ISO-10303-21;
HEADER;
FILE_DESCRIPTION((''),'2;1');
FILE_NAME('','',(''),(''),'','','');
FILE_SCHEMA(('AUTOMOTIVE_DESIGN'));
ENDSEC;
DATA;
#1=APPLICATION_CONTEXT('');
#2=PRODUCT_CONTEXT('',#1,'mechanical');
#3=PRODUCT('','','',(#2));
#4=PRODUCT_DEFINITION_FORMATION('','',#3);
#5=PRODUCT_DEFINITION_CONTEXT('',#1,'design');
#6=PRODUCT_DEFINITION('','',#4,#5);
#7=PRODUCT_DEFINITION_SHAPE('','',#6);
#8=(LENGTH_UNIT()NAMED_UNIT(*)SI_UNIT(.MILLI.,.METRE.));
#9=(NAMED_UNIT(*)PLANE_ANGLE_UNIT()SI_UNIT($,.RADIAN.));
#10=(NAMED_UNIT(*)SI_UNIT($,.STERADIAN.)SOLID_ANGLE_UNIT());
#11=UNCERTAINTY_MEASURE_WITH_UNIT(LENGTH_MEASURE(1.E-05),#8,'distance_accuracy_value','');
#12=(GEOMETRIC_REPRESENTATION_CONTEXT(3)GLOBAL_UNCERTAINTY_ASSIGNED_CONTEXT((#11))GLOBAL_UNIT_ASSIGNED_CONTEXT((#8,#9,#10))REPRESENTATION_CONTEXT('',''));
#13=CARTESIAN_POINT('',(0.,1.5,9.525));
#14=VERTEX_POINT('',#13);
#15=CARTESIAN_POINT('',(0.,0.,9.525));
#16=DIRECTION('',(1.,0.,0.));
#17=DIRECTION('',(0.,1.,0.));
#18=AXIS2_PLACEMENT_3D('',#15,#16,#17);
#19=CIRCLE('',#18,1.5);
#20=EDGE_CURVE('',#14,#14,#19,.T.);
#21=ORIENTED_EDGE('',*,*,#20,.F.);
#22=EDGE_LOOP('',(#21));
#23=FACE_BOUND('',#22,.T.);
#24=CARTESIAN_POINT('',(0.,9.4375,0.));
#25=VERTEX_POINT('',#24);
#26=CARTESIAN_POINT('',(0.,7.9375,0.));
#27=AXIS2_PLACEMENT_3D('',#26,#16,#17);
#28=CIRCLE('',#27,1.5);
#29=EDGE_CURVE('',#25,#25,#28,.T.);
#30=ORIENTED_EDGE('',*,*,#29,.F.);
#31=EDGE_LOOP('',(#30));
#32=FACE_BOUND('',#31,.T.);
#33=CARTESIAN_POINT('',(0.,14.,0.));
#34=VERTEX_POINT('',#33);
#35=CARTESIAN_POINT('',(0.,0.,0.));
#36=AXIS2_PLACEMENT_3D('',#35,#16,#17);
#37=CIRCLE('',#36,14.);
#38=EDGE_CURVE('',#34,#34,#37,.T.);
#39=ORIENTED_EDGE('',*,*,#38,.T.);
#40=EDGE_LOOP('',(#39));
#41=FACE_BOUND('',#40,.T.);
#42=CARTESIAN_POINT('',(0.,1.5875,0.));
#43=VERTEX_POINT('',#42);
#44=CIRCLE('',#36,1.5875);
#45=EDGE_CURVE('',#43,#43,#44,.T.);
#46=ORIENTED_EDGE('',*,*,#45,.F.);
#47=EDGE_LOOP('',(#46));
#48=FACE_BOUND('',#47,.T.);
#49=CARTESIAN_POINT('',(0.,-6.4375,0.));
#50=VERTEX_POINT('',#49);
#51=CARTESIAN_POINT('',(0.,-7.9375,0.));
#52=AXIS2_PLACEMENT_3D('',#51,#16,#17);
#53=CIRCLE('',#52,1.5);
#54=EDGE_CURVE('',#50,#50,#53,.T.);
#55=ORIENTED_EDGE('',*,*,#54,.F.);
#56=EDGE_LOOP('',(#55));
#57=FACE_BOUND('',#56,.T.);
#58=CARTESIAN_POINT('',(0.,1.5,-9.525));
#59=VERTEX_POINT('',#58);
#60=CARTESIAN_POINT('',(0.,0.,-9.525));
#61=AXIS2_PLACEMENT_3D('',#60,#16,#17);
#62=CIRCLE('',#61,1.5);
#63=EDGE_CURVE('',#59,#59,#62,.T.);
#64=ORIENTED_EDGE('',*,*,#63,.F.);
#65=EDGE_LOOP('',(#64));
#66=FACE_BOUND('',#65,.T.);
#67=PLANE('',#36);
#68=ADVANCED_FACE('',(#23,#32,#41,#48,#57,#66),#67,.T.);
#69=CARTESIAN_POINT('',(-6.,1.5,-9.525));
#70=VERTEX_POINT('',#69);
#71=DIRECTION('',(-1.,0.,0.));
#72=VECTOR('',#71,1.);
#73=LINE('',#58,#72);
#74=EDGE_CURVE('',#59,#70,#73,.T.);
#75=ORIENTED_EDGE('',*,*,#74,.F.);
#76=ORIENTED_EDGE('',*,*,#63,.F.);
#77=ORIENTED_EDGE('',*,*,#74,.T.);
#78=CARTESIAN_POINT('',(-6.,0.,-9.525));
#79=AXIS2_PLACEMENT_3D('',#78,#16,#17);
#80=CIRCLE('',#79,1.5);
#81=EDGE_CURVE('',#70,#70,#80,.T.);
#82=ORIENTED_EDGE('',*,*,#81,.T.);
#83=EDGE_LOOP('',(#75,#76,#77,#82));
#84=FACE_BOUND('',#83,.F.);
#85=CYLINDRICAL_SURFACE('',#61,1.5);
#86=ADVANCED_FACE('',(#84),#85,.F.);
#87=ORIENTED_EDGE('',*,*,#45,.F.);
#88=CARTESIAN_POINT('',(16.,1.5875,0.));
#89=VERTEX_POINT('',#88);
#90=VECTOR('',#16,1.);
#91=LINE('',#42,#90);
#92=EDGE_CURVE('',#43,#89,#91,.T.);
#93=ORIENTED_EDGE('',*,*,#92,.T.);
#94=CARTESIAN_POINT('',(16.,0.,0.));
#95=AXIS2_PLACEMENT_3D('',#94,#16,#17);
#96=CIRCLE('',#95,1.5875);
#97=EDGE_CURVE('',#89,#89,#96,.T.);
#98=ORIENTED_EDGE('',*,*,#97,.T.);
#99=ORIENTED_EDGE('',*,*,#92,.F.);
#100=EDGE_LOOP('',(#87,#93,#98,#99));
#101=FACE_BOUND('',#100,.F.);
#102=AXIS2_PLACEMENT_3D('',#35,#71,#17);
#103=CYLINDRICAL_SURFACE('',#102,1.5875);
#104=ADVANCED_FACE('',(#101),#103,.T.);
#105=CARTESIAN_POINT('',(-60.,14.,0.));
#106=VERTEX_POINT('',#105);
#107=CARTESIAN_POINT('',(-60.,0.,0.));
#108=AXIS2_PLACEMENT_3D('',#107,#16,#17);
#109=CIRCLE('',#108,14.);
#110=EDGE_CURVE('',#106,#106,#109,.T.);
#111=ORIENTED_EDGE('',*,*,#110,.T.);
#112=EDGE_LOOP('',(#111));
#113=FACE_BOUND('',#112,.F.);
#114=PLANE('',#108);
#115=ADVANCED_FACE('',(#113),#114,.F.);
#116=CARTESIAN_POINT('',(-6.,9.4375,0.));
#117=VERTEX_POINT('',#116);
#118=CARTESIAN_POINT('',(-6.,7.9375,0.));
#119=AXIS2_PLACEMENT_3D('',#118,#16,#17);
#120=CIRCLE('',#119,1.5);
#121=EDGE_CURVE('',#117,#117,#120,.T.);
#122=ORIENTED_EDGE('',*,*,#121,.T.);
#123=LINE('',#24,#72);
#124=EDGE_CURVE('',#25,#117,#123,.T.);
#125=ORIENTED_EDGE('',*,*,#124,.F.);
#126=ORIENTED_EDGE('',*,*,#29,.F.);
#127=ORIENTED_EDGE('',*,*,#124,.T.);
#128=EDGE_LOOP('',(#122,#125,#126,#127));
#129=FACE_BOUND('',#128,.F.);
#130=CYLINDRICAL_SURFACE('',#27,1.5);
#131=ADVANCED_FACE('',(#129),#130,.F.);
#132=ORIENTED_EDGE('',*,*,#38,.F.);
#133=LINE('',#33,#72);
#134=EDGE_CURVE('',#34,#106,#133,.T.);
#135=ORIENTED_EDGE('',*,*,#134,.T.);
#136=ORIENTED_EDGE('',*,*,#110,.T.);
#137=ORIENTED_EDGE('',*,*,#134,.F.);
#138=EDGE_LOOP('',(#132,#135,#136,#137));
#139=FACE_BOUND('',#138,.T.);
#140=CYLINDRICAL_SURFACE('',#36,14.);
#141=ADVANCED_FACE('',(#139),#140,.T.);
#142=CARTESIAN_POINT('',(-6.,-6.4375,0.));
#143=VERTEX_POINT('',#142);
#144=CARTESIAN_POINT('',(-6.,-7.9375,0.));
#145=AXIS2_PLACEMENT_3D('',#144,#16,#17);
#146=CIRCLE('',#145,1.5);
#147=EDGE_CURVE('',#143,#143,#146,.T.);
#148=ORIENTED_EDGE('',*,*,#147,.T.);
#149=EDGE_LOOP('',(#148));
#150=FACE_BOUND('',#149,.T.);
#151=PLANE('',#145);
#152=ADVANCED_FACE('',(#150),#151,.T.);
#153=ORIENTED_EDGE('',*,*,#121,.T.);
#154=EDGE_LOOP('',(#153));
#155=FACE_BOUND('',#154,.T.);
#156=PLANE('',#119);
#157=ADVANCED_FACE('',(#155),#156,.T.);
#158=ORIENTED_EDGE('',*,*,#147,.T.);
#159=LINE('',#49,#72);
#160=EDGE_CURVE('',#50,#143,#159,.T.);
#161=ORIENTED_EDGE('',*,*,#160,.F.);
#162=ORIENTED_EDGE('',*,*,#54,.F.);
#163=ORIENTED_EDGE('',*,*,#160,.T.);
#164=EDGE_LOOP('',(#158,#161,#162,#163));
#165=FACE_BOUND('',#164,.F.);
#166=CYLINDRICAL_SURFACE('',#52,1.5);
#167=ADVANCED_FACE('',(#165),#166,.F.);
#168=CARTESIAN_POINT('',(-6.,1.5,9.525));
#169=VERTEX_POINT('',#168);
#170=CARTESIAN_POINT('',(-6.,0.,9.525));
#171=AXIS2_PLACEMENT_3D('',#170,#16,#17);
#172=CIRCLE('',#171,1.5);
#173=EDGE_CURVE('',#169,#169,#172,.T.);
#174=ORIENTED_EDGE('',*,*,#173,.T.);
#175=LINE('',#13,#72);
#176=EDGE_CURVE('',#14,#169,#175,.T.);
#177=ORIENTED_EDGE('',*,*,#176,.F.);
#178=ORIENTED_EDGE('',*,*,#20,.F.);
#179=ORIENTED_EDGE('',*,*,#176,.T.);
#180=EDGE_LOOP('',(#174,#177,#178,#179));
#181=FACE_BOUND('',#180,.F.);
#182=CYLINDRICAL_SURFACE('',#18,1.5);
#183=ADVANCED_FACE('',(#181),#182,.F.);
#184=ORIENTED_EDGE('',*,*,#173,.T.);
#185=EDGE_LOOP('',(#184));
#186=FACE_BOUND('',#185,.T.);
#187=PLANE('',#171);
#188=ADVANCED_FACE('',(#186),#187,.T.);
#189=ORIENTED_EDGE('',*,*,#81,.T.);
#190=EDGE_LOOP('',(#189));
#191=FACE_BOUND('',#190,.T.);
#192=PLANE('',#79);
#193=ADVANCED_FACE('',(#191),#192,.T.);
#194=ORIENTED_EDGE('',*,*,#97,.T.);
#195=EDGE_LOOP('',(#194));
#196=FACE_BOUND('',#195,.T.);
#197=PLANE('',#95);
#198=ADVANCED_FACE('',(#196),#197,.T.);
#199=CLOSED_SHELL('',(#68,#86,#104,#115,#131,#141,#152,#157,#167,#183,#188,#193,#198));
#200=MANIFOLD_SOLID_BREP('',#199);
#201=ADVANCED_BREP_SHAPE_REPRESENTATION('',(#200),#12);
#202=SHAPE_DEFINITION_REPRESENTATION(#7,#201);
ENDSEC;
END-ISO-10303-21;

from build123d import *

# Parameters (mm, degrees)
F0_R     = 14
F1_DEPTH = 60
F2_R     = 1.5875
F3_DEPTH = 16
F4_R     = 1.5
F5_DEPTH = 6


with BuildPart() as f1:
    # F0 (on Right) → F1 (new body)
    with BuildSketch(Plane.YZ):
        Circle(F0_R)
    extrude(amount=-F1_DEPTH)

    # F2 (on face) → F3 (join)
    with BuildSketch(Plane.YZ):
        Circle(F2_R)
    extrude(amount=F3_DEPTH)

    # F4 (on face) → F5 (cut)
    with BuildSketch(Plane.YZ):
        with Locations((0, 9.525)):
            Circle(F4_R)
        with Locations((7.9375, 0)):
            Circle(F4_R)
        with Locations((0, -9.525)):
            Circle(F4_R)
        with Locations((-7.9375, 0)):
            Circle(F4_R)
    extrude(amount=-F5_DEPTH, mode=Mode.SUBTRACT)


solid = f1.part
